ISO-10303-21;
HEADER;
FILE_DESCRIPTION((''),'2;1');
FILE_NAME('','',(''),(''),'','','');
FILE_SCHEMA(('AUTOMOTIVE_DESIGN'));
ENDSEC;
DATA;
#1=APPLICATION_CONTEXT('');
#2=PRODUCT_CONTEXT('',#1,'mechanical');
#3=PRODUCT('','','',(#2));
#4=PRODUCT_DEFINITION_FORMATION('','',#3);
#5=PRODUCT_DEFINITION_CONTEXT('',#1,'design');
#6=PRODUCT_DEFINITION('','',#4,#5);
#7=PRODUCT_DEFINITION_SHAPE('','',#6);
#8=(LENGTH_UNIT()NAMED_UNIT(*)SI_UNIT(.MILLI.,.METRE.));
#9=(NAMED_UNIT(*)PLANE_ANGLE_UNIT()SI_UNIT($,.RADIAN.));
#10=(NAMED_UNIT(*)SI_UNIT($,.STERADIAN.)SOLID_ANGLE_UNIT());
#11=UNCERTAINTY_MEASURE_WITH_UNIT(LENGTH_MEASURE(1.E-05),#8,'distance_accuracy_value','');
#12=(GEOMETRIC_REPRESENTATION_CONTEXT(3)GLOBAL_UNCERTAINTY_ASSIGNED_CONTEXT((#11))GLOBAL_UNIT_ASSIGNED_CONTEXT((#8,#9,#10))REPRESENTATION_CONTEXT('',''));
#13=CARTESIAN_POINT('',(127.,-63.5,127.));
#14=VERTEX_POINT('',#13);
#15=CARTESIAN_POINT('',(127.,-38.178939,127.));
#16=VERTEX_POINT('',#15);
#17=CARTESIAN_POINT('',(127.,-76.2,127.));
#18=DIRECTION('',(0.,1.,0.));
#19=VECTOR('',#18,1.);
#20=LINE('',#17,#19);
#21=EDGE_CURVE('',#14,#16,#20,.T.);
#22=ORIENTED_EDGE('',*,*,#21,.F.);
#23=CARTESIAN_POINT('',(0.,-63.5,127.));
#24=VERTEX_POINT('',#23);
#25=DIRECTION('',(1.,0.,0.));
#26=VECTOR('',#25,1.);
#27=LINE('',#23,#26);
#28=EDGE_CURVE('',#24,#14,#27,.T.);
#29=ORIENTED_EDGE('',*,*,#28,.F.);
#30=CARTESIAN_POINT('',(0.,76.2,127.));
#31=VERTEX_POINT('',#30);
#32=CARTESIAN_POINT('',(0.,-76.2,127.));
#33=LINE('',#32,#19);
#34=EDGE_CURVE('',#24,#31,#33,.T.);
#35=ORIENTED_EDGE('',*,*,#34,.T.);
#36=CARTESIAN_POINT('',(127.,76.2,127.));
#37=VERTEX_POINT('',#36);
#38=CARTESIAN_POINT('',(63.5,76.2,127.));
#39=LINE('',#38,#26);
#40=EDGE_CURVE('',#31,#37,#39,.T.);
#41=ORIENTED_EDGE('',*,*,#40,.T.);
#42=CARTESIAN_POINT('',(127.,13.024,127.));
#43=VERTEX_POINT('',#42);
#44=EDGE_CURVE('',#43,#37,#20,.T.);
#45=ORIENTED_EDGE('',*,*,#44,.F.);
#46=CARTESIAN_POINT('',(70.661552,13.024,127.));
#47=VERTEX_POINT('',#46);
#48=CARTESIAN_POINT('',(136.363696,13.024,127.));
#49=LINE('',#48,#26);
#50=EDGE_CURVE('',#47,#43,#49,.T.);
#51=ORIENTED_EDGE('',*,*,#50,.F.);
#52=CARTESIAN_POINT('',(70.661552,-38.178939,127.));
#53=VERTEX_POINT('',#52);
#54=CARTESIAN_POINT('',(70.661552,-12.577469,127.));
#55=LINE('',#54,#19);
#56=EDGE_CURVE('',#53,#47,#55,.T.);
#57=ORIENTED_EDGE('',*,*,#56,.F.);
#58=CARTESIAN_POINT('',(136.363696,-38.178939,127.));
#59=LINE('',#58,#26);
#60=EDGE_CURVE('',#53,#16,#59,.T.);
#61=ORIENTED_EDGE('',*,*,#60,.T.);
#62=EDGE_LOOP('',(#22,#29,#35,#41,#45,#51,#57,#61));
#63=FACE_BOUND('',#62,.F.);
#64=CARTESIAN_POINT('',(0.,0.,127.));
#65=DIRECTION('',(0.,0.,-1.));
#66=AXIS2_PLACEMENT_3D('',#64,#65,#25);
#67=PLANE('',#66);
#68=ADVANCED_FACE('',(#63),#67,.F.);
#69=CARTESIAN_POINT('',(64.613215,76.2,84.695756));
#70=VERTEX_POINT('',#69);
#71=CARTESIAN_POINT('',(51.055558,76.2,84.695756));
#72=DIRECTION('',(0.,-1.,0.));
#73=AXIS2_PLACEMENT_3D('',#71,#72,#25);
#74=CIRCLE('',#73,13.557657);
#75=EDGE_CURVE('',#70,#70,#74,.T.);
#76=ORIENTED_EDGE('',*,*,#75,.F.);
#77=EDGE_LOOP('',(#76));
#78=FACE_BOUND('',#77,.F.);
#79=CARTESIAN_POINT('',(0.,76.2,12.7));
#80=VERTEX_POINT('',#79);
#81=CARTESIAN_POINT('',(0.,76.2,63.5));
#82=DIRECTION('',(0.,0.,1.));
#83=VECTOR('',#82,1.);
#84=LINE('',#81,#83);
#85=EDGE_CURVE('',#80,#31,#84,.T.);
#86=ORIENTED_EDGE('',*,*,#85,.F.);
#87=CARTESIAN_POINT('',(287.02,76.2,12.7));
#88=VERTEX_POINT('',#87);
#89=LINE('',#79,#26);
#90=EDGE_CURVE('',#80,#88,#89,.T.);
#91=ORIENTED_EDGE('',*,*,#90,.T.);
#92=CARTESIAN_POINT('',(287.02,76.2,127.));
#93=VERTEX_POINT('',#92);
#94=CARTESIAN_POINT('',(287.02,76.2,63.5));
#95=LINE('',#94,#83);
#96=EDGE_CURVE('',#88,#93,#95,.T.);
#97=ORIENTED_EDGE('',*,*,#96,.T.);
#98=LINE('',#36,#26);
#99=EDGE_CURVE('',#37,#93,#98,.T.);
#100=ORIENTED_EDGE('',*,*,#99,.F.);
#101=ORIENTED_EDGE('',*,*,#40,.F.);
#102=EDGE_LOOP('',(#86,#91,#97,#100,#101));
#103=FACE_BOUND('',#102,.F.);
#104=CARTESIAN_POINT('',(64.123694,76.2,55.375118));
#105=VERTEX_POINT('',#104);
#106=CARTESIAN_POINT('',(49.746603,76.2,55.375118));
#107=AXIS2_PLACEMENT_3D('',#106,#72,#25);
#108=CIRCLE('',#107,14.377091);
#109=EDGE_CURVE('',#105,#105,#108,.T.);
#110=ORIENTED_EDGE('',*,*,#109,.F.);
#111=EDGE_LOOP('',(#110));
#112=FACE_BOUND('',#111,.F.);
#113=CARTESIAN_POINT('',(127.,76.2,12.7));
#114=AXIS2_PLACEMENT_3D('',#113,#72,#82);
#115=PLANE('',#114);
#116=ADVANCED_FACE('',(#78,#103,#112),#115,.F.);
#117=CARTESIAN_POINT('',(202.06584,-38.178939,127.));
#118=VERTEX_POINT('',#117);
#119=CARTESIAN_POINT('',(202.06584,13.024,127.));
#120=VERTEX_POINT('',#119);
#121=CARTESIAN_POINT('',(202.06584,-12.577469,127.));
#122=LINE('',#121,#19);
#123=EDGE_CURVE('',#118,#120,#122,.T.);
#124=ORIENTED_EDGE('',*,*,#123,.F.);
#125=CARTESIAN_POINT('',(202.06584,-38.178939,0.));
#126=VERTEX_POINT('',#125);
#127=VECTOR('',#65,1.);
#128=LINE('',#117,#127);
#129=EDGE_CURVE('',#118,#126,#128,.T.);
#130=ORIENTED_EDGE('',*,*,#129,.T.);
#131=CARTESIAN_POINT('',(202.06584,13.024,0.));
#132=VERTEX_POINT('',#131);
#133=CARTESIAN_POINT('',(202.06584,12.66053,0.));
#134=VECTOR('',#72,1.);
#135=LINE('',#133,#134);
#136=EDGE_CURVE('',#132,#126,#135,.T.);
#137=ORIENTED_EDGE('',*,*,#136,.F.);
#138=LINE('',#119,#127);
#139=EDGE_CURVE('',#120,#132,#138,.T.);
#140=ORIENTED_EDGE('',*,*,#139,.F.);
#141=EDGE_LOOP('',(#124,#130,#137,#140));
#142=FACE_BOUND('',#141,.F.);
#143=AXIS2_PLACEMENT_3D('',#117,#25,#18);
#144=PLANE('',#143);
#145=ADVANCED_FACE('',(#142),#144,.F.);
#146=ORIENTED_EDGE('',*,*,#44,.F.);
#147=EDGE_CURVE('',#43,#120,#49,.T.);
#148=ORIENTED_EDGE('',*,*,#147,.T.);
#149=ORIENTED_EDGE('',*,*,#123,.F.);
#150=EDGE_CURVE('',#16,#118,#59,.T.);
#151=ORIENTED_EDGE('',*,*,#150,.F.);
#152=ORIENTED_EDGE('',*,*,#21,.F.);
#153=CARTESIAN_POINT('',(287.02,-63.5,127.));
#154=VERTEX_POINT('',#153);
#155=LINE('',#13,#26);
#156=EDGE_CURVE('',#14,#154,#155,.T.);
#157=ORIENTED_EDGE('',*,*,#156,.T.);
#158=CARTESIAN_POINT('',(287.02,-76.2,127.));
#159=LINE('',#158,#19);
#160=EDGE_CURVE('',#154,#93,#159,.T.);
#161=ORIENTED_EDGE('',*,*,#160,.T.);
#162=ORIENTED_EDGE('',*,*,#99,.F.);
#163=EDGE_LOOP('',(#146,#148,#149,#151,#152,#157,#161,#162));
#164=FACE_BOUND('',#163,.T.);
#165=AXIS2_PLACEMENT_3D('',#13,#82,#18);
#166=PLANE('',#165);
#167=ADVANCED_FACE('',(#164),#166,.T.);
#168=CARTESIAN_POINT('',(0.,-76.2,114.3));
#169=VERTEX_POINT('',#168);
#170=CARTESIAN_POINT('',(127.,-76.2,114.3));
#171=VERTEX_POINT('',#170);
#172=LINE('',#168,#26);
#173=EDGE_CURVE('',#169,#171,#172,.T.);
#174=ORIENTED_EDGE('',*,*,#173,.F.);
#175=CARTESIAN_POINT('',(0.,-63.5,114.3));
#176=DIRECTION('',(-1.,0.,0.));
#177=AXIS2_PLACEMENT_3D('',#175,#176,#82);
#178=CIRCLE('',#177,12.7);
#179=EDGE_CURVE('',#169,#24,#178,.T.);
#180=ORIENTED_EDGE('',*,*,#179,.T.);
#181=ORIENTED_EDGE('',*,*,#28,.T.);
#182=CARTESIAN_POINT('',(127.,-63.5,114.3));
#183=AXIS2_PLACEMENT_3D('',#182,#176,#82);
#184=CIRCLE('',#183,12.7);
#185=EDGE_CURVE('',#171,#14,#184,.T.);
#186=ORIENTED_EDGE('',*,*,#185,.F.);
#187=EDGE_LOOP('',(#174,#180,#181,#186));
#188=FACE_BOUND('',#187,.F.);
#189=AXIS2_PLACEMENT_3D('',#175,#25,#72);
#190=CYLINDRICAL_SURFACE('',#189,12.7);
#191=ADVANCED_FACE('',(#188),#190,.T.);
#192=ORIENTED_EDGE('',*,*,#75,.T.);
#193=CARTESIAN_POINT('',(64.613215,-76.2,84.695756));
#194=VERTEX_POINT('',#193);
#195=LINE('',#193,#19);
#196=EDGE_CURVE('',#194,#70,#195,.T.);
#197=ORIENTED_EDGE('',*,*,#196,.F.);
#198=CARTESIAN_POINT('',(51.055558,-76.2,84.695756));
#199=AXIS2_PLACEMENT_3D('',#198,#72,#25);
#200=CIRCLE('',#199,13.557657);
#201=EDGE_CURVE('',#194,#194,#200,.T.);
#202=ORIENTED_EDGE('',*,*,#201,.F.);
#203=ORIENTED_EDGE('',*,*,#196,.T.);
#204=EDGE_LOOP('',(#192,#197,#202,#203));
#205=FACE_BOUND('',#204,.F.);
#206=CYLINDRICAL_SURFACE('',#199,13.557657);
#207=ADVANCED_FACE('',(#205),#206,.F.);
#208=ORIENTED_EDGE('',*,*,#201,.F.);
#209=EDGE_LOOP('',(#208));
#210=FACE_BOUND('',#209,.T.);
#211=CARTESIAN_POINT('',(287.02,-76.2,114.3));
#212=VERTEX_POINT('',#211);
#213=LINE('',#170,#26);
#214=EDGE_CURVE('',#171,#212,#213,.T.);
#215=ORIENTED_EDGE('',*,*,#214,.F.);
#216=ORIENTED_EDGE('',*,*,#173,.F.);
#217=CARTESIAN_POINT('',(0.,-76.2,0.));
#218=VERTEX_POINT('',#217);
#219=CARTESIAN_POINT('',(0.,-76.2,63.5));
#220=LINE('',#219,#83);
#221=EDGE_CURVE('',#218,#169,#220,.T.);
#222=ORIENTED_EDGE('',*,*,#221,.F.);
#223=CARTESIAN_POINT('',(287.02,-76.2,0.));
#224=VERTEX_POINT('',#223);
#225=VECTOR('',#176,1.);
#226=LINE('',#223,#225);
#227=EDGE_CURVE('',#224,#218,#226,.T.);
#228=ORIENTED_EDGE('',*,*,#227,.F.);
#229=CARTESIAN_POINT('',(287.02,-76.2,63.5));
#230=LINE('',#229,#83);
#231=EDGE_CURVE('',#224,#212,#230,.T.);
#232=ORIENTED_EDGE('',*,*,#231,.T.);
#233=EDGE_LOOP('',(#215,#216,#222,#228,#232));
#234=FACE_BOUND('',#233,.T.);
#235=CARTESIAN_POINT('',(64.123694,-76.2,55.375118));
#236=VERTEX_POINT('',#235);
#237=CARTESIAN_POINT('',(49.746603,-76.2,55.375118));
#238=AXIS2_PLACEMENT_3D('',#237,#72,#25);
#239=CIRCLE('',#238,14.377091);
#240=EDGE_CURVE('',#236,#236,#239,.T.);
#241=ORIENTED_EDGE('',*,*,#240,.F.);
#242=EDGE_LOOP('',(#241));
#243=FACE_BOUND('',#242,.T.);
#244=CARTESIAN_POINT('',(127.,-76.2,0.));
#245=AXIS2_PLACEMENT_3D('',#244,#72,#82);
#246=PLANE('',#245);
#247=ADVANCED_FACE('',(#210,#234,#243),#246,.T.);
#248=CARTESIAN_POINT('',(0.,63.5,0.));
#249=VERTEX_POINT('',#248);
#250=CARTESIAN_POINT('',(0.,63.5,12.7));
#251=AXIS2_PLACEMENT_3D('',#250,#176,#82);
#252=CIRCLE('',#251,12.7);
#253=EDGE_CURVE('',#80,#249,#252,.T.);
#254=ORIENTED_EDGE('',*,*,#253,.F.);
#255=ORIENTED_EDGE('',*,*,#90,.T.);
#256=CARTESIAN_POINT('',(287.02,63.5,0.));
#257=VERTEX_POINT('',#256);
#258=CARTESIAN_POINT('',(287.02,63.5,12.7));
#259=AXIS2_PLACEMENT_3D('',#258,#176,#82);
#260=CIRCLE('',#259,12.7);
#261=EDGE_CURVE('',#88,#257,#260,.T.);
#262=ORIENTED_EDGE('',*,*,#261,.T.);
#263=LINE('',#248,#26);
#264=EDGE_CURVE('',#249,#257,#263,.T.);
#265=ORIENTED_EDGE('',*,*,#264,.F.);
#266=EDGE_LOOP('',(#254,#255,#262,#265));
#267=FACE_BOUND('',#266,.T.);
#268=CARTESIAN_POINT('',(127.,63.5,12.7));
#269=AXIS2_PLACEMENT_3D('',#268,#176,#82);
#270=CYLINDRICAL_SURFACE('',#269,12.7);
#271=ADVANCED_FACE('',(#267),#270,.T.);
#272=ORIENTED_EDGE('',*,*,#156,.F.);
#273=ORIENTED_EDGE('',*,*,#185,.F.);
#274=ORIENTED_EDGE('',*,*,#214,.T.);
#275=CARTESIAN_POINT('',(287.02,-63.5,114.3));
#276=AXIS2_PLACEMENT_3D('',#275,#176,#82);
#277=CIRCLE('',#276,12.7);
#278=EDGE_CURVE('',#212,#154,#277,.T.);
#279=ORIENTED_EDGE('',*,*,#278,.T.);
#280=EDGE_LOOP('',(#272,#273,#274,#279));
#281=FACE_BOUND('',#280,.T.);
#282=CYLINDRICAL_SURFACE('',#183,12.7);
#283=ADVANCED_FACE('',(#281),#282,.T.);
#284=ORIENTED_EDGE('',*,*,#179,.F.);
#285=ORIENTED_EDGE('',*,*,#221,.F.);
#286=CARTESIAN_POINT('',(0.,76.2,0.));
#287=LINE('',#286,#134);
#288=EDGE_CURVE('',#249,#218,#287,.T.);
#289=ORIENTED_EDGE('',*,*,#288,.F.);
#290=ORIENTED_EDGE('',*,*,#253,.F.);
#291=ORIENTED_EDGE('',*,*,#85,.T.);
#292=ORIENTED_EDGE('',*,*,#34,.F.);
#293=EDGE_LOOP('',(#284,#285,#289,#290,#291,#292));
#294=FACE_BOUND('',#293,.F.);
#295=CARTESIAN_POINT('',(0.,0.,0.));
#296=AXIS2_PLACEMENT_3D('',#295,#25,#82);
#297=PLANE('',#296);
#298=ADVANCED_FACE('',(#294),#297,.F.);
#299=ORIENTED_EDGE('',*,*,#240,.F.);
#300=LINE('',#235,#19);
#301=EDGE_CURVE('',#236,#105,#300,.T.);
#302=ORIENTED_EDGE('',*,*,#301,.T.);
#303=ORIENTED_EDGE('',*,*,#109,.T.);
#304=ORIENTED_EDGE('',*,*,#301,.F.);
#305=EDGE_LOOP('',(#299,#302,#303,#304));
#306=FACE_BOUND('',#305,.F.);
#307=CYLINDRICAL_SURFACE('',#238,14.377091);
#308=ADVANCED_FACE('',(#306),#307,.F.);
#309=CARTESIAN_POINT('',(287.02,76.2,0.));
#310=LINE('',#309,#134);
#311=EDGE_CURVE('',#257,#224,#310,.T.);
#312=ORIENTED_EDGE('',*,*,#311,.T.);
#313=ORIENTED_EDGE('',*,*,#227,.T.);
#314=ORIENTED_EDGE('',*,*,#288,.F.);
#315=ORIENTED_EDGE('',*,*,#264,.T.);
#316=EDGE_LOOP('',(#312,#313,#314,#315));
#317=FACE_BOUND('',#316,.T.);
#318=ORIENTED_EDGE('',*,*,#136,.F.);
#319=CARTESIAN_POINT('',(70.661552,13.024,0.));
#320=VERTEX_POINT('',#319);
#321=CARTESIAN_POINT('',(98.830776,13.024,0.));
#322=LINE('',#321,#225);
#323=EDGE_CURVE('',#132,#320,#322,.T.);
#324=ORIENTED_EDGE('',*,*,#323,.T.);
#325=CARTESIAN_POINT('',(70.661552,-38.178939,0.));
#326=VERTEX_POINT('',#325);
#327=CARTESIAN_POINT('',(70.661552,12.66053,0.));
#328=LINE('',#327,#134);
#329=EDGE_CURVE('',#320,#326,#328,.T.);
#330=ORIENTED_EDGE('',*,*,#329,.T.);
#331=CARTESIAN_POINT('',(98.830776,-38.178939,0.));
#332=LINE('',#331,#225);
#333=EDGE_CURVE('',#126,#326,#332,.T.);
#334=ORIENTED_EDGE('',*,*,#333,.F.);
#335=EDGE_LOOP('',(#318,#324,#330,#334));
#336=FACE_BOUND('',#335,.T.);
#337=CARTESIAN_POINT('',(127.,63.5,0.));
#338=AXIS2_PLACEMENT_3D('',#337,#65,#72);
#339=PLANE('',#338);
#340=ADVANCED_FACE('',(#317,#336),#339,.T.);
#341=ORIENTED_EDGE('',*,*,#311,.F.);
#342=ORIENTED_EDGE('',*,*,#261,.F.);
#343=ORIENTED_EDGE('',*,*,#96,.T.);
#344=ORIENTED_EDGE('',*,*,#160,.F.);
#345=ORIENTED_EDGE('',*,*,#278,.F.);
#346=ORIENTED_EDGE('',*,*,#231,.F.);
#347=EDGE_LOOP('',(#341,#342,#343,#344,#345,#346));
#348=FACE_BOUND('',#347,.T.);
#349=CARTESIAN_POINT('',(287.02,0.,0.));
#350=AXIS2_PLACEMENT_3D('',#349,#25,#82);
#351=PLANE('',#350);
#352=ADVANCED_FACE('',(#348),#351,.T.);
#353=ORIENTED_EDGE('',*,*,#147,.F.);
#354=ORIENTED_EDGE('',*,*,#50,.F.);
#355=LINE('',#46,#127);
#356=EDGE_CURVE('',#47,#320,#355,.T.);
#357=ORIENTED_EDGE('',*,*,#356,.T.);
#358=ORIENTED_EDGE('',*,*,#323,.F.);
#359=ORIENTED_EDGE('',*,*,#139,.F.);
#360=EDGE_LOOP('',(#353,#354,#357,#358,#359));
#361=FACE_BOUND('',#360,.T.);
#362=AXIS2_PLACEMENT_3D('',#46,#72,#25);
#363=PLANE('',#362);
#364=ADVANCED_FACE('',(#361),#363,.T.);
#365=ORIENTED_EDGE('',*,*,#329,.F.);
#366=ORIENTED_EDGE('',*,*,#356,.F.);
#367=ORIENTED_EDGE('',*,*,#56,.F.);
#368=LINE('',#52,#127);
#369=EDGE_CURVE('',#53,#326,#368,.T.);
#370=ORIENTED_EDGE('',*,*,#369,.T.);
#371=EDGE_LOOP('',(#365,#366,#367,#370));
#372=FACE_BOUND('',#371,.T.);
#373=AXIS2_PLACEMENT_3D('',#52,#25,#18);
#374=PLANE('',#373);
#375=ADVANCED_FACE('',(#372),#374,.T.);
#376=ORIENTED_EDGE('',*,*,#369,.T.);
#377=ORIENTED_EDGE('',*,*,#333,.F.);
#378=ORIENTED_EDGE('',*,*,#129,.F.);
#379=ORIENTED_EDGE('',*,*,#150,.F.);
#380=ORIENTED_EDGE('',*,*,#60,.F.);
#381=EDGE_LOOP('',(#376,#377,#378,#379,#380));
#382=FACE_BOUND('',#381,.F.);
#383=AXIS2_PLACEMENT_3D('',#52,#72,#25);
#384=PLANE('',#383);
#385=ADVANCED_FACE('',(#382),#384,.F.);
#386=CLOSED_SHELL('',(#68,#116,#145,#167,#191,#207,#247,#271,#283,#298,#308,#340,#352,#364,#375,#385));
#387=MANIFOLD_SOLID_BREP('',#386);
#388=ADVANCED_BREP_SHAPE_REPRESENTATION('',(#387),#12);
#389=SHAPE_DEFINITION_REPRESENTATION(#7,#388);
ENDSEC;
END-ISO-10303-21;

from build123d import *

# Parameters (mm, degrees)
F0_W     = 127
F0_H     = 127
F1_DEPTH = 76.2
F2_R     = 12.7
F3_R     = 13.5576573184
F3_R_2   = 14.3770911371
F4_DEPTH = 152.4
F5_DEPTH = 160.02
F6_W     = 131.4042881131
F6_H     = 51.2029398233
F7_DEPTH = 211.836


with BuildPart() as f1:
    # F0 (on Front) → F1 (new body, symmetric)
    with BuildSketch(Plane.XZ):
        with Locations((63.5, 63.5)):
            Rectangle(F0_W, F0_H)
    extrude(amount=F1_DEPTH, both=True)

    # F2
    f2_edges = [f1.edges().sort_by_distance(p)[0] for p in [
        (63.5, -76.2, 127),
        (63.5, 76.2, 0),
    ]]
    fillet(f2_edges, radius=F2_R)

    # F3 (on face) → F4 (cut, through all)
    with BuildSketch(Plane.XZ.offset(76.2)):
        with Locations((51.0555580258, 84.6957564354)):
            Circle(F3_R)
        with Locations((49.7466027737, 55.3751178086)):
            Circle(F3_R_2)
    extrude(amount=-F4_DEPTH, mode=Mode.SUBTRACT)

    # F5 (add): a face of the model
    f5_faces = [f1.faces().sort_by_distance(p)[0] for p in [
        (127, 0, 63.5),
    ]]
    extrude(f5_faces, amount=F5_DEPTH)

    # F6 (on face) → F7 (cut)
    with BuildSketch(Plane.XY.offset(127)):
        with Locations((136.3636963069, -12.5774694607)):
            Rectangle(F6_W, F6_H)
    extrude(amount=-F7_DEPTH, mode=Mode.SUBTRACT)


solid = f1.part
